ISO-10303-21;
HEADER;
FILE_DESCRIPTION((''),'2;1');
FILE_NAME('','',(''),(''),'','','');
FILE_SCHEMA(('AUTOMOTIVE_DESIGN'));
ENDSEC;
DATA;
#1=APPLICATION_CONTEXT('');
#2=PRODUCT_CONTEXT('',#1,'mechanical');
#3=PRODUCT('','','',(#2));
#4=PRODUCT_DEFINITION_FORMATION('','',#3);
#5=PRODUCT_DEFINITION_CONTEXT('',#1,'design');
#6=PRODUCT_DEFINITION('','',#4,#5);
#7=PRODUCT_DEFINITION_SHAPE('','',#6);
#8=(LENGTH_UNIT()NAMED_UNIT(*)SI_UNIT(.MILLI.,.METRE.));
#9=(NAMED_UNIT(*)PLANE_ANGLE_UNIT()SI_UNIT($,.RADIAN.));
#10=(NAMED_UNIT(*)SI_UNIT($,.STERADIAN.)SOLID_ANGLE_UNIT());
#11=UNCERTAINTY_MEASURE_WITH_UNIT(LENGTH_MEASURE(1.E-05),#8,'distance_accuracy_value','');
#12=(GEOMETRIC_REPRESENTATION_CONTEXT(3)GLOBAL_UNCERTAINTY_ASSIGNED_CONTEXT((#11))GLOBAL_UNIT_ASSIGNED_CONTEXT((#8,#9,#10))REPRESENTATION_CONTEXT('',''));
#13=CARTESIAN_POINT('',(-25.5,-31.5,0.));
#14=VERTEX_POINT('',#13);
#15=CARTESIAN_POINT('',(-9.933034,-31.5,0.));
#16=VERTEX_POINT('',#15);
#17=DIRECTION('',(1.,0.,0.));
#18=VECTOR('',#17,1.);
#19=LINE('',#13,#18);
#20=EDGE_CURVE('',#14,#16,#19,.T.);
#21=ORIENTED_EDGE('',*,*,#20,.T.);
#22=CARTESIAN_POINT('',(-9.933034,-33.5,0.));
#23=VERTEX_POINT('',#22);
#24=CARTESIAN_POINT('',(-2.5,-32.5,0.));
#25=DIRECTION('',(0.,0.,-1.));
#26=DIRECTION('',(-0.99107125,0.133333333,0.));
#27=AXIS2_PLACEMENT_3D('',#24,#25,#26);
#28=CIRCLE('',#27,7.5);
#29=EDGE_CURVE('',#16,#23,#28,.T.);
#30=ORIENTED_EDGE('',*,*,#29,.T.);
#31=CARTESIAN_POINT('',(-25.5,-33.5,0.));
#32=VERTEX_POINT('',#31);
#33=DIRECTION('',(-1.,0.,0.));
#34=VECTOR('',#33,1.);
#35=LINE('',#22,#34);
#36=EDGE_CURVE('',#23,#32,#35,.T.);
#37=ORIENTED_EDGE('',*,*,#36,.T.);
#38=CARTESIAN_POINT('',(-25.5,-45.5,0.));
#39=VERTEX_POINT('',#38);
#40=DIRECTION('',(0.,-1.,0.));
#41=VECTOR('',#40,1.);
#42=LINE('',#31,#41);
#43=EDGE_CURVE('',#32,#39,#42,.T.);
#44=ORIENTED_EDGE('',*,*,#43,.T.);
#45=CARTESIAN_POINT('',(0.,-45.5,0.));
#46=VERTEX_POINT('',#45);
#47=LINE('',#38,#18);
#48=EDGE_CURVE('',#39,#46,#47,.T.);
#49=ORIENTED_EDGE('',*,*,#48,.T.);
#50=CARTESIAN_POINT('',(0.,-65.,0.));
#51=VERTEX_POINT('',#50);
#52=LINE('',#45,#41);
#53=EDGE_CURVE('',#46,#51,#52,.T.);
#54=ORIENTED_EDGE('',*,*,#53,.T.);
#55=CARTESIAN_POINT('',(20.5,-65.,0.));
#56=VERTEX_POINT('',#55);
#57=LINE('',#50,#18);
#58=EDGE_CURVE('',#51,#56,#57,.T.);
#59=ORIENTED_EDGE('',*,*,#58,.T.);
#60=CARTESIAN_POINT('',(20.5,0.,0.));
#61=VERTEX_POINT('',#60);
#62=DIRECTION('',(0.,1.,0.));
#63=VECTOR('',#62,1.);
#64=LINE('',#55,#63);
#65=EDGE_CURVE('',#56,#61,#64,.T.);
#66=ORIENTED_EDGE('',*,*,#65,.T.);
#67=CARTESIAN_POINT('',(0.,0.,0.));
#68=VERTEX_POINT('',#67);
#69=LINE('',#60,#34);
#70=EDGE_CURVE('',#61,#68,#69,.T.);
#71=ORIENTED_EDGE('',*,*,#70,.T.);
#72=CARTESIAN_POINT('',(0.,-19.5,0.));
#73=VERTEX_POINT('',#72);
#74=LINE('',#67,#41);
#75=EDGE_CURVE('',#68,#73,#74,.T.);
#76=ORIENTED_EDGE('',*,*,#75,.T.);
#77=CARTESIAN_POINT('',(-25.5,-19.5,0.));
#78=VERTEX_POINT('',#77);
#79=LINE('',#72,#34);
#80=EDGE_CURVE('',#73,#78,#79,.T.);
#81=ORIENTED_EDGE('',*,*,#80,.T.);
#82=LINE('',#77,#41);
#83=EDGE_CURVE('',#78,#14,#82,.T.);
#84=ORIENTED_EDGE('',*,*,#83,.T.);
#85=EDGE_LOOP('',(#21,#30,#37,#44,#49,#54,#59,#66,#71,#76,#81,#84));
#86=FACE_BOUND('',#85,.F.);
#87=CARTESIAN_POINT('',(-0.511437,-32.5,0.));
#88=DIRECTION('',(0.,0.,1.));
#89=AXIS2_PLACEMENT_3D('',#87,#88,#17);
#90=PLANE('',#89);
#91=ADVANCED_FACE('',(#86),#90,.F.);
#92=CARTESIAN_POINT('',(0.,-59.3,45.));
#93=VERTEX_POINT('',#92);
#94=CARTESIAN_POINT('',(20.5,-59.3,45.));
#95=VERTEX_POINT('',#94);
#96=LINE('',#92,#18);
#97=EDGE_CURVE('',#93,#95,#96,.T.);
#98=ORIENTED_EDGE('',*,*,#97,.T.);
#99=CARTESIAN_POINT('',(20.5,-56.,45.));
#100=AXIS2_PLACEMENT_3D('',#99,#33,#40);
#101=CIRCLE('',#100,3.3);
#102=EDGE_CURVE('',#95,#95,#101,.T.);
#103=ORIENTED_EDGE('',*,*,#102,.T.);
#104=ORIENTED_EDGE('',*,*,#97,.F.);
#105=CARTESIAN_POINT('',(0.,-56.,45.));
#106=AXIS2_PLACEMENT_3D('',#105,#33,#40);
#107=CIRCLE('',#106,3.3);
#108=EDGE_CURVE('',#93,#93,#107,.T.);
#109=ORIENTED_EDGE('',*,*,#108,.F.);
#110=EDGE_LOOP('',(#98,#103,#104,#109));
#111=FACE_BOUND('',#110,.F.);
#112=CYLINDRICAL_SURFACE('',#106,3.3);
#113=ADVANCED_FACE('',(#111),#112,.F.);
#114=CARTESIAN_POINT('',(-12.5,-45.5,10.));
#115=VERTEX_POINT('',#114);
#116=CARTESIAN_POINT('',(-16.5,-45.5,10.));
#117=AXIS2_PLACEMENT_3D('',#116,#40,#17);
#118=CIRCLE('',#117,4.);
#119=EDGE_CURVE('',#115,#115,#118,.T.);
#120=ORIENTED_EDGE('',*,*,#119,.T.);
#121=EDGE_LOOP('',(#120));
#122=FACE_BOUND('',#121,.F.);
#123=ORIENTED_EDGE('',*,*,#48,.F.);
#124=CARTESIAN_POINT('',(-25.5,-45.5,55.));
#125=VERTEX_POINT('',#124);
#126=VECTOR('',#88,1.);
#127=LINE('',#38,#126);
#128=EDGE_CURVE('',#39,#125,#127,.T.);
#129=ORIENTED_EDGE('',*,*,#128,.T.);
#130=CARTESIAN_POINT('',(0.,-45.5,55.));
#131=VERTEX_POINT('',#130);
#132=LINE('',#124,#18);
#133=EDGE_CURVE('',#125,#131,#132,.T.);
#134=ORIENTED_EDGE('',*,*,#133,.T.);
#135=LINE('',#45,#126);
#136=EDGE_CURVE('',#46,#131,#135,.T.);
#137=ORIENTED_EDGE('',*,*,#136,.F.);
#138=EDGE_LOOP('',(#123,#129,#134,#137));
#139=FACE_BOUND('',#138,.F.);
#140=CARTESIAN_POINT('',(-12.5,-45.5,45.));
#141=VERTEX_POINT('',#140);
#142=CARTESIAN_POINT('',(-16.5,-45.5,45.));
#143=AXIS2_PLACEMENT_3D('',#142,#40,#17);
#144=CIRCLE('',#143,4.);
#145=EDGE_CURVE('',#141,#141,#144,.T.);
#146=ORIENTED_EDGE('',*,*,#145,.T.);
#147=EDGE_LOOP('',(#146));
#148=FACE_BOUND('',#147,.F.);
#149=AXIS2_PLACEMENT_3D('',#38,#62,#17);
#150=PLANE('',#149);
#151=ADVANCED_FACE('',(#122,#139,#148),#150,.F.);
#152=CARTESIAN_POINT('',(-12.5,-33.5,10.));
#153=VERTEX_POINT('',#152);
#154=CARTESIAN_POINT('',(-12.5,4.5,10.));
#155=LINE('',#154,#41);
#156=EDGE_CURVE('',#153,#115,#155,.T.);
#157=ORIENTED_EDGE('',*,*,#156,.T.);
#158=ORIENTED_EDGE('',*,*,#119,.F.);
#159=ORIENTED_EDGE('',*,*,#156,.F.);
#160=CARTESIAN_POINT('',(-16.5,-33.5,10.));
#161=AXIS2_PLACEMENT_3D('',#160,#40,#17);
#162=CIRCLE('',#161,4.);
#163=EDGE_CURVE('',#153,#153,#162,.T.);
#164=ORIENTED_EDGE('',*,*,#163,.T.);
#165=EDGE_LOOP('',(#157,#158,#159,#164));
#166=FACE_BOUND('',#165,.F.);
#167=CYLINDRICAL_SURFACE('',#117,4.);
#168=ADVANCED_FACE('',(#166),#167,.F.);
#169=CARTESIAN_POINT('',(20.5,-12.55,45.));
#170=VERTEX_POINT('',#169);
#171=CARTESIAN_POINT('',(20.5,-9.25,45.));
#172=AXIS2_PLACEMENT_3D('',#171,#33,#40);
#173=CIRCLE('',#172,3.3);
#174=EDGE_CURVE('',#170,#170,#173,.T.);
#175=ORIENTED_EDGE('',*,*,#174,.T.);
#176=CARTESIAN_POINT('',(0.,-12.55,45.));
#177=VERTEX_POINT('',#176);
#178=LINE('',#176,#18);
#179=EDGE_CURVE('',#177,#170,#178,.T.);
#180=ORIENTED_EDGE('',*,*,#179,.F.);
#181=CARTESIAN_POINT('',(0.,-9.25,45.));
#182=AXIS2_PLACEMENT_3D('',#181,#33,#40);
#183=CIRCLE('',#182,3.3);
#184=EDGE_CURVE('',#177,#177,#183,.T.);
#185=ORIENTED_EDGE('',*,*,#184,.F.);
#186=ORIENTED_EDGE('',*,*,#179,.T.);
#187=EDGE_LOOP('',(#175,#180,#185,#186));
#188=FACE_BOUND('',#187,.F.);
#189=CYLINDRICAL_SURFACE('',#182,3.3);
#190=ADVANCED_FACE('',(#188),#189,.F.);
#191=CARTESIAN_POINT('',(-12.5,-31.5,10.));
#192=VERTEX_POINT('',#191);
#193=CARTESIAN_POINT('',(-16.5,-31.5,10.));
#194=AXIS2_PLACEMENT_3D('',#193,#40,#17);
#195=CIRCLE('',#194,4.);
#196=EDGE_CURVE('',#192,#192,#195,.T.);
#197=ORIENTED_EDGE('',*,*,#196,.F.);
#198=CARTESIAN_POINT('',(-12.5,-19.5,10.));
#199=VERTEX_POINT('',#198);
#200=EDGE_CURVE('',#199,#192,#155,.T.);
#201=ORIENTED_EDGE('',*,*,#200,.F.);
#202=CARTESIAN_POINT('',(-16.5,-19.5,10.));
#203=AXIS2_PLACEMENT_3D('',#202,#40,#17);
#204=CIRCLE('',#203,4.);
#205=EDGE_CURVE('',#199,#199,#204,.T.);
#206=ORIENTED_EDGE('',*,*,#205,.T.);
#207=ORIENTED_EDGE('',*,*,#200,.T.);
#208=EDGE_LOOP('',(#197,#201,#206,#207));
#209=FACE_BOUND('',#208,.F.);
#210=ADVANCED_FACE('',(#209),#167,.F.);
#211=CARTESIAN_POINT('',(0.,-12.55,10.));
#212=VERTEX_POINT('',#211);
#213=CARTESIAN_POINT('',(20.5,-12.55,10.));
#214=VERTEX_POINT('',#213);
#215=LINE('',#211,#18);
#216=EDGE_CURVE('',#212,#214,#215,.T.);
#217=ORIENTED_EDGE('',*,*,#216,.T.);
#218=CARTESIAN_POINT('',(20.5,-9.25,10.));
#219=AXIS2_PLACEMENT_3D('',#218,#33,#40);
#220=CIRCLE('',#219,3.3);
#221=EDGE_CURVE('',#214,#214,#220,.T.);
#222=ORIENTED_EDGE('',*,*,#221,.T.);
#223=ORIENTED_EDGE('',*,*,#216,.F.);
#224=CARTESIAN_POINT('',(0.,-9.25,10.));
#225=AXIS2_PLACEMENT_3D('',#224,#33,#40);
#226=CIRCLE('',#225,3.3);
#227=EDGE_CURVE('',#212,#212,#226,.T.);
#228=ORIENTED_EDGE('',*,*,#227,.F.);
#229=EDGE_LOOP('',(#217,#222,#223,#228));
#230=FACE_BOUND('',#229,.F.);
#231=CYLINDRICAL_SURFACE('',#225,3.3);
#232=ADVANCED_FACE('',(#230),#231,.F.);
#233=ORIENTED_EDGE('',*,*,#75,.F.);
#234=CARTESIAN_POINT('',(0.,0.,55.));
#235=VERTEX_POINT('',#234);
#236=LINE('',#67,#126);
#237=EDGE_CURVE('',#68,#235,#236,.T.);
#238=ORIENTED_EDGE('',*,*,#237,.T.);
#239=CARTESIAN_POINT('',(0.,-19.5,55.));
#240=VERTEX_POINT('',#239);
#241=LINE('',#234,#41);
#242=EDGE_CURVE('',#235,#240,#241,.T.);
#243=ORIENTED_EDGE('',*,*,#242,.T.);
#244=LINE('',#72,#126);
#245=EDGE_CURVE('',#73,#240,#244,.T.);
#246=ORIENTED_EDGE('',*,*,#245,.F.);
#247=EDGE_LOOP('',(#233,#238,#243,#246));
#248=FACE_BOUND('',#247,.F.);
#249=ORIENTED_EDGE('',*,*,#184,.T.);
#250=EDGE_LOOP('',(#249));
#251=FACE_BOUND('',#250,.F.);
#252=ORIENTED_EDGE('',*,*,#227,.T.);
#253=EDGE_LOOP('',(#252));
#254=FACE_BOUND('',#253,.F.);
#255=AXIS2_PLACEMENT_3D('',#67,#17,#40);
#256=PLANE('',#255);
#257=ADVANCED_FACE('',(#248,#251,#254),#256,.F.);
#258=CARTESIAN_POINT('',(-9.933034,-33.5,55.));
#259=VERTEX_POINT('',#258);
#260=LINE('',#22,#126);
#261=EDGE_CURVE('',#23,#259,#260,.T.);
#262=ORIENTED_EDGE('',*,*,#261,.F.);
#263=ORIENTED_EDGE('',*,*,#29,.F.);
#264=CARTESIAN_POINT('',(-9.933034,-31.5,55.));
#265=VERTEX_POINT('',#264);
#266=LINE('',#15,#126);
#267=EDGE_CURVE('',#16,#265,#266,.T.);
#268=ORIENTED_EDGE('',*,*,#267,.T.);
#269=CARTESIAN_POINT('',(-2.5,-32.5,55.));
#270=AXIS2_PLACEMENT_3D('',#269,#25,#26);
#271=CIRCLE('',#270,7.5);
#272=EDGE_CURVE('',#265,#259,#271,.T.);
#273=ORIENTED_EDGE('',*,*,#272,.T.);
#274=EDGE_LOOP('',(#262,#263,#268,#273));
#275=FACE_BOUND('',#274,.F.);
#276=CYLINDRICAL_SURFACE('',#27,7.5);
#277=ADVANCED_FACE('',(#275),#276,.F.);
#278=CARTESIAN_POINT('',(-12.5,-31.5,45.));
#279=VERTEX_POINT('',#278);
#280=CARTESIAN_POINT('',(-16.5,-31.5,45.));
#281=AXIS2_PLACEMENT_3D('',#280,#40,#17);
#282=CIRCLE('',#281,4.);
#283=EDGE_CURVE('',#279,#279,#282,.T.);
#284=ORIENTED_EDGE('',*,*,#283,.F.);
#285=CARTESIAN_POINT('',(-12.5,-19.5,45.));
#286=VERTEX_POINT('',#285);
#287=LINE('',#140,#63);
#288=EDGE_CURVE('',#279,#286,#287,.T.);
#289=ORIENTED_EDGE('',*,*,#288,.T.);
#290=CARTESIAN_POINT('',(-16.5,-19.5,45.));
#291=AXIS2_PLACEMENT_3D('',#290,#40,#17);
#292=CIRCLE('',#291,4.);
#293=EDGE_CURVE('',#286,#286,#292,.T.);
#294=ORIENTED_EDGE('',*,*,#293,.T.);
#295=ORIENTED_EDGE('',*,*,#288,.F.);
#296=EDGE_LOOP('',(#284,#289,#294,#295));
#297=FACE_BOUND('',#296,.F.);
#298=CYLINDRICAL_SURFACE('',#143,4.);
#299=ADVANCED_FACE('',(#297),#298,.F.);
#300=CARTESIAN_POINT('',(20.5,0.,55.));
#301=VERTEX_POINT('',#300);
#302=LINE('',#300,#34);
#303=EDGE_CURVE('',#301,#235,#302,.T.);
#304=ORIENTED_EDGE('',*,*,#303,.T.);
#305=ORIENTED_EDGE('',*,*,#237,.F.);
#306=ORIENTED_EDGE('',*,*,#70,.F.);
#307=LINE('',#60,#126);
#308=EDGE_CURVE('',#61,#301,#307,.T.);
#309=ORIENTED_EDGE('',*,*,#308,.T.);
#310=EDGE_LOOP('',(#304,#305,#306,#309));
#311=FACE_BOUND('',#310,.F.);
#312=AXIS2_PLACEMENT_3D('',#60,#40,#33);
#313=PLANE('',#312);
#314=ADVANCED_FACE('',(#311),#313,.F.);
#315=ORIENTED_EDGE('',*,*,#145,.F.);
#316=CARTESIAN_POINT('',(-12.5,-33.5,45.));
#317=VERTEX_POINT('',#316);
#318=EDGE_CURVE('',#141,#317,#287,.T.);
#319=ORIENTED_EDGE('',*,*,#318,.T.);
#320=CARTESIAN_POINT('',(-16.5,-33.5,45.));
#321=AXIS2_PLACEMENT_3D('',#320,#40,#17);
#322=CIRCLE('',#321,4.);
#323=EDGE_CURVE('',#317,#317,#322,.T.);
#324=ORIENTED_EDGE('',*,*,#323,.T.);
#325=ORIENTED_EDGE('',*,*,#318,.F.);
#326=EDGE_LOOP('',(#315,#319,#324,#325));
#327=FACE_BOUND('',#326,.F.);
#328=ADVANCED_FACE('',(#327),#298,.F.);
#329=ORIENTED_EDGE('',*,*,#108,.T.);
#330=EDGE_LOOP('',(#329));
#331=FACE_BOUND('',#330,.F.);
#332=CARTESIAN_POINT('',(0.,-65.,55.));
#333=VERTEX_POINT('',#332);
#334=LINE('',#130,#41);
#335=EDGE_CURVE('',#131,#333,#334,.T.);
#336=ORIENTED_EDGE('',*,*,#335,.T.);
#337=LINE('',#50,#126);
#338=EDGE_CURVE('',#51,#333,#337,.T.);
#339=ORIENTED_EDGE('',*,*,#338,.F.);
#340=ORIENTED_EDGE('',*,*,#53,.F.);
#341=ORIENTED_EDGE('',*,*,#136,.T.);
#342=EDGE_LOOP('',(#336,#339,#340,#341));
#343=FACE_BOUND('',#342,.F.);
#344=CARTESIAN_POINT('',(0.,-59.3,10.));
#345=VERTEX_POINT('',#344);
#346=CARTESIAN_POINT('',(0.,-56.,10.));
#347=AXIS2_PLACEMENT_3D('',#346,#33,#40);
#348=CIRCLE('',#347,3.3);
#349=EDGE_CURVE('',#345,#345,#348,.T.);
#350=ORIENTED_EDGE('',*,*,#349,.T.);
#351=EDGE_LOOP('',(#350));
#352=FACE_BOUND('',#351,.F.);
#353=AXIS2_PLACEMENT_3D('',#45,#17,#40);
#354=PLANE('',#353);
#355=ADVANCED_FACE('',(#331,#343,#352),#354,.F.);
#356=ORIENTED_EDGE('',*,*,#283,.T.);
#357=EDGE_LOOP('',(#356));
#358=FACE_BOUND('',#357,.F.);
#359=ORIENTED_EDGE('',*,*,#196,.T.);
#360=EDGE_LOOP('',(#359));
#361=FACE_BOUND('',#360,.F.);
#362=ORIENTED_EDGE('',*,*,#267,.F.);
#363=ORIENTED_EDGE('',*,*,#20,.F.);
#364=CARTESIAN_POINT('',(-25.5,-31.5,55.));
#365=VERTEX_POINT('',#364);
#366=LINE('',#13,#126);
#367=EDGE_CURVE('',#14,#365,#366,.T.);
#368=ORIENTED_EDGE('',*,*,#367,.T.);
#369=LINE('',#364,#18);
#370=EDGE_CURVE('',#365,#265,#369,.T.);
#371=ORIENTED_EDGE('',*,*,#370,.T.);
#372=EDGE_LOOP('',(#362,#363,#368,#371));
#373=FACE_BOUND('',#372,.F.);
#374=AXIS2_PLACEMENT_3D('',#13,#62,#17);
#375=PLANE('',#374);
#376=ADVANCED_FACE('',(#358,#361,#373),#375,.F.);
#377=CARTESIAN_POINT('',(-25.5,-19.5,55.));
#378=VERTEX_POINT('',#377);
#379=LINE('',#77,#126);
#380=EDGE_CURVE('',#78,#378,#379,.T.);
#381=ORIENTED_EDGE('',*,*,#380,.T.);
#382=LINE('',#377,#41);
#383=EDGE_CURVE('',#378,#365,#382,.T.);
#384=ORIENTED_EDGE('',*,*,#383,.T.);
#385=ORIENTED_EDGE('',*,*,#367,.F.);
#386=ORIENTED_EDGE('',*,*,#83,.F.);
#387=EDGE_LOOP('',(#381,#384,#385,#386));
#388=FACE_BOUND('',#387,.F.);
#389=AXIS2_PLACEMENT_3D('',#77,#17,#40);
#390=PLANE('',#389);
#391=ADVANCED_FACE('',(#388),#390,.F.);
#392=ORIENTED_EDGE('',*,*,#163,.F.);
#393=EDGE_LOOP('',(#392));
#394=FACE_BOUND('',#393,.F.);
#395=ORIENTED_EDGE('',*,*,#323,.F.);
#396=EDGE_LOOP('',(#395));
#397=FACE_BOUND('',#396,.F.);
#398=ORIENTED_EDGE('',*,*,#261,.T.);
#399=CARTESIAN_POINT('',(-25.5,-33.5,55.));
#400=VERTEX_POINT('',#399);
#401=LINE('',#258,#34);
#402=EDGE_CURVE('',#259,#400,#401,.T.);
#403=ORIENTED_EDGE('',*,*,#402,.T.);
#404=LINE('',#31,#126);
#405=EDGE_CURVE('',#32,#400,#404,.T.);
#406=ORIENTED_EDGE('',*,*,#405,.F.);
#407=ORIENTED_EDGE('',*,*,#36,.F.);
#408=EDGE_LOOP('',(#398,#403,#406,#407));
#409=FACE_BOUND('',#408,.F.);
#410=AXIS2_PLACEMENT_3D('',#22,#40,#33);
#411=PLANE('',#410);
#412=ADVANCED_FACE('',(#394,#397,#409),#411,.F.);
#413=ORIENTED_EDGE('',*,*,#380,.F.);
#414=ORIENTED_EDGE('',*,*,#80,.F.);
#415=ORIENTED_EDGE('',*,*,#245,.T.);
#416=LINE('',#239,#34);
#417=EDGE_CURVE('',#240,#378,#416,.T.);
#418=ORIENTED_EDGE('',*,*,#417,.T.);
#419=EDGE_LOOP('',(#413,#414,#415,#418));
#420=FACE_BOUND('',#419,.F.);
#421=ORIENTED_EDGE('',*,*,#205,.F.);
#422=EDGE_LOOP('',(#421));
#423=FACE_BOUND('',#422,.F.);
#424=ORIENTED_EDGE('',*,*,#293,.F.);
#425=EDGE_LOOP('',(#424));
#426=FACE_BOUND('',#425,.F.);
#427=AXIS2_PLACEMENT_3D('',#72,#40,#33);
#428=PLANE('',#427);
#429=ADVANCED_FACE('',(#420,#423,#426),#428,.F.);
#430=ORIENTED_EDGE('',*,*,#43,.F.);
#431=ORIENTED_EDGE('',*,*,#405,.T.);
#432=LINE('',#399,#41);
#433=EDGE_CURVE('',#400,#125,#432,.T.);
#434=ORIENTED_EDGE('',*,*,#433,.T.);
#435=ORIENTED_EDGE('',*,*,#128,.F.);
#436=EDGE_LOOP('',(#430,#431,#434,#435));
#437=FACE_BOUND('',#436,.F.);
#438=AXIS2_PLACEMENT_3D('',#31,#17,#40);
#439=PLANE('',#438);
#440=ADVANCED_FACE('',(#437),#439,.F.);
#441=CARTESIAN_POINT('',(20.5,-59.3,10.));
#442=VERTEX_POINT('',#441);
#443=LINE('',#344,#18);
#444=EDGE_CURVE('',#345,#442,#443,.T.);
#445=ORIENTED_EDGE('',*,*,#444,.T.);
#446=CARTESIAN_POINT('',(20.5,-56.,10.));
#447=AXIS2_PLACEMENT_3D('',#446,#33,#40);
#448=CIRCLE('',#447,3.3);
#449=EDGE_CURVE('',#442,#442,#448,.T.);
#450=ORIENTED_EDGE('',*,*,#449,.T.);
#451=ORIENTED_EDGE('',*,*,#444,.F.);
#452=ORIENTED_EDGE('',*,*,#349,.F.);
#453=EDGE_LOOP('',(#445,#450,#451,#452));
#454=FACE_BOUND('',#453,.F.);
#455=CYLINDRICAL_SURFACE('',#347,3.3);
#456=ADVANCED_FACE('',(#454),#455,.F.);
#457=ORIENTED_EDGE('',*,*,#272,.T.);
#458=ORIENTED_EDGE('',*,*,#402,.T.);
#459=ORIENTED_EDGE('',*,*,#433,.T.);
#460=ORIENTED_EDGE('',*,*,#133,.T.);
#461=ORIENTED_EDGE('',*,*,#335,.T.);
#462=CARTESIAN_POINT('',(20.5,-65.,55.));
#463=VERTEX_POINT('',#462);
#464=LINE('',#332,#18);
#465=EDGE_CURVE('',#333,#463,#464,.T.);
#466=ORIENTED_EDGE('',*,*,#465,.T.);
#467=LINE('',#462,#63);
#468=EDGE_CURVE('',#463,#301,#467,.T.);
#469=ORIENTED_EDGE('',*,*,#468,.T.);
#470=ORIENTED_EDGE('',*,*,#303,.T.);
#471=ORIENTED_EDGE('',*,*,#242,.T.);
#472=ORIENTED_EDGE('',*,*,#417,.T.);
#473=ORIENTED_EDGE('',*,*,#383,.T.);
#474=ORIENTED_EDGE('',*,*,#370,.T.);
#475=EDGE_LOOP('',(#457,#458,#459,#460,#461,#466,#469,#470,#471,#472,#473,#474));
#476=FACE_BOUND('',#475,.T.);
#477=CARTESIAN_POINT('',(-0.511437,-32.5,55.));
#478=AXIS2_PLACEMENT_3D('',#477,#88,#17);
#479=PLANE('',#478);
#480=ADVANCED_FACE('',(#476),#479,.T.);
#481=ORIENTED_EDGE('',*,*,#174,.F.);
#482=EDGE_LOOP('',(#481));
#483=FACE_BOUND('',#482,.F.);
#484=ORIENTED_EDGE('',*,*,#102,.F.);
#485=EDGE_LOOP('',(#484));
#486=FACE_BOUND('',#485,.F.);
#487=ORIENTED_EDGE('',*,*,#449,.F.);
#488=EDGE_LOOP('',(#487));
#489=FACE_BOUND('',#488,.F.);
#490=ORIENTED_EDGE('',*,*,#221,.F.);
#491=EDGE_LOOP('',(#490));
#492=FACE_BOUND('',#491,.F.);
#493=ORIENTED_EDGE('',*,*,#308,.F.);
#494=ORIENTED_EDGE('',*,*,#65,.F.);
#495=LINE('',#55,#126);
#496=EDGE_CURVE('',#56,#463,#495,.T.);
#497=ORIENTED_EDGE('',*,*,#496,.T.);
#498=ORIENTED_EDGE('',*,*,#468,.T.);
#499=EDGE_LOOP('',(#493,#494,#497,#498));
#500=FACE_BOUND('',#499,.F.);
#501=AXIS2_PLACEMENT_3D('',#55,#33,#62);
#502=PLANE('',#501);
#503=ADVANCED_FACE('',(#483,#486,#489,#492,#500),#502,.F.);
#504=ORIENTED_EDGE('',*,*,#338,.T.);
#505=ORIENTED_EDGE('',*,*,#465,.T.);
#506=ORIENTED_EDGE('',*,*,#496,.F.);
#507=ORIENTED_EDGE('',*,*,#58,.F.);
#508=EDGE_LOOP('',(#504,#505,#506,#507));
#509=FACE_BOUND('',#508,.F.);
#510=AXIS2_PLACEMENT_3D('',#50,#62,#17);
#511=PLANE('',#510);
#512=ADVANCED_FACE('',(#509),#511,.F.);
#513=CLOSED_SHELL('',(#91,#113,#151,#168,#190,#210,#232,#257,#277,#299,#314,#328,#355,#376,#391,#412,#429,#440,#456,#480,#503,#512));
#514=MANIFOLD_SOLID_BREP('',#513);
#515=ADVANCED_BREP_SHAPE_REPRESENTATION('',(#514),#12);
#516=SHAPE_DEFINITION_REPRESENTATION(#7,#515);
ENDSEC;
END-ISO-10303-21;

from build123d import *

# Parameters (mm, degrees)
F1_DEPTH  = 55
F3_R      = 4
F4_DEPTH  = 50
F5_R      = 4
F6_DEPTH  = 100
F8_R      = 3.3
F9_DEPTH  = 25
F10_R     = 3.3
F11_DEPTH = 25


with BuildPart() as f1:
    # F0 (on Top) → F1 (new body)
    with BuildSketch(Plane.XY):
        with BuildLine():
            Line((20.5, 0), (0, 0))
            Line((0, 0), (0, -19.5))
            Line((0, -19.5), (-25.5, -19.5))
            Line((-25.5, -19.5), (-25.5, -31.5))
            Line((-25.5, -31.5), (-9.9330343737, -31.5))
            ThreePointArc((-9.9330343737, -31.5), (5, -32.5), (-9.9330343737, -33.5))
            Line((-9.9330343737, -33.5), (-25.5, -33.5))
            Line((-25.5, -33.5), (-25.5, -45.5))
            Line((-25.5, -45.5), (0, -45.5))
            Line((0, -45.5), (0, -65))
            Line((0, -65), (20.5, -65))
            Line((20.5, -65), (20.5, 0))
        make_face()
    extrude(amount=F1_DEPTH)

    # F3 (on offset) → F4 (cut, symmetric)
    with BuildSketch(Plane.XZ.offset(45.5)):
        with Locations((-16.5, 10)):
            Circle(F3_R)
    extrude(amount=F4_DEPTH, both=True, mode=Mode.SUBTRACT)

    # F5 (on offset) → F6 (cut)
    with BuildSketch(Plane.XZ.offset(45.5)):
        with Locations((-16.5, 45)):
            Circle(F5_R)
    extrude(amount=-F6_DEPTH, mode=Mode.SUBTRACT)

    # F8 (on offset) → F9 (cut)
    with BuildSketch(Plane(origin=(0, 0, 0), x_dir=(0, -1, 0), z_dir=(-1, 0, 0))):
        with Locations((9.25, 45)):
            Circle(F8_R)
        with Locations((9.25, 10)):
            Circle(F8_R)
    extrude(amount=-F9_DEPTH, mode=Mode.SUBTRACT)

    # F10 (on offset) → F11 (cut)
    with BuildSketch(Plane(origin=(0, 0, 0), x_dir=(0, -1, 0), z_dir=(-1, 0, 0))):
        with Locations((56, 10)):
            Circle(F10_R)
        with Locations((56, 45)):
            Circle(F10_R)
    extrude(amount=-F11_DEPTH, mode=Mode.SUBTRACT)


solid = f1.part
